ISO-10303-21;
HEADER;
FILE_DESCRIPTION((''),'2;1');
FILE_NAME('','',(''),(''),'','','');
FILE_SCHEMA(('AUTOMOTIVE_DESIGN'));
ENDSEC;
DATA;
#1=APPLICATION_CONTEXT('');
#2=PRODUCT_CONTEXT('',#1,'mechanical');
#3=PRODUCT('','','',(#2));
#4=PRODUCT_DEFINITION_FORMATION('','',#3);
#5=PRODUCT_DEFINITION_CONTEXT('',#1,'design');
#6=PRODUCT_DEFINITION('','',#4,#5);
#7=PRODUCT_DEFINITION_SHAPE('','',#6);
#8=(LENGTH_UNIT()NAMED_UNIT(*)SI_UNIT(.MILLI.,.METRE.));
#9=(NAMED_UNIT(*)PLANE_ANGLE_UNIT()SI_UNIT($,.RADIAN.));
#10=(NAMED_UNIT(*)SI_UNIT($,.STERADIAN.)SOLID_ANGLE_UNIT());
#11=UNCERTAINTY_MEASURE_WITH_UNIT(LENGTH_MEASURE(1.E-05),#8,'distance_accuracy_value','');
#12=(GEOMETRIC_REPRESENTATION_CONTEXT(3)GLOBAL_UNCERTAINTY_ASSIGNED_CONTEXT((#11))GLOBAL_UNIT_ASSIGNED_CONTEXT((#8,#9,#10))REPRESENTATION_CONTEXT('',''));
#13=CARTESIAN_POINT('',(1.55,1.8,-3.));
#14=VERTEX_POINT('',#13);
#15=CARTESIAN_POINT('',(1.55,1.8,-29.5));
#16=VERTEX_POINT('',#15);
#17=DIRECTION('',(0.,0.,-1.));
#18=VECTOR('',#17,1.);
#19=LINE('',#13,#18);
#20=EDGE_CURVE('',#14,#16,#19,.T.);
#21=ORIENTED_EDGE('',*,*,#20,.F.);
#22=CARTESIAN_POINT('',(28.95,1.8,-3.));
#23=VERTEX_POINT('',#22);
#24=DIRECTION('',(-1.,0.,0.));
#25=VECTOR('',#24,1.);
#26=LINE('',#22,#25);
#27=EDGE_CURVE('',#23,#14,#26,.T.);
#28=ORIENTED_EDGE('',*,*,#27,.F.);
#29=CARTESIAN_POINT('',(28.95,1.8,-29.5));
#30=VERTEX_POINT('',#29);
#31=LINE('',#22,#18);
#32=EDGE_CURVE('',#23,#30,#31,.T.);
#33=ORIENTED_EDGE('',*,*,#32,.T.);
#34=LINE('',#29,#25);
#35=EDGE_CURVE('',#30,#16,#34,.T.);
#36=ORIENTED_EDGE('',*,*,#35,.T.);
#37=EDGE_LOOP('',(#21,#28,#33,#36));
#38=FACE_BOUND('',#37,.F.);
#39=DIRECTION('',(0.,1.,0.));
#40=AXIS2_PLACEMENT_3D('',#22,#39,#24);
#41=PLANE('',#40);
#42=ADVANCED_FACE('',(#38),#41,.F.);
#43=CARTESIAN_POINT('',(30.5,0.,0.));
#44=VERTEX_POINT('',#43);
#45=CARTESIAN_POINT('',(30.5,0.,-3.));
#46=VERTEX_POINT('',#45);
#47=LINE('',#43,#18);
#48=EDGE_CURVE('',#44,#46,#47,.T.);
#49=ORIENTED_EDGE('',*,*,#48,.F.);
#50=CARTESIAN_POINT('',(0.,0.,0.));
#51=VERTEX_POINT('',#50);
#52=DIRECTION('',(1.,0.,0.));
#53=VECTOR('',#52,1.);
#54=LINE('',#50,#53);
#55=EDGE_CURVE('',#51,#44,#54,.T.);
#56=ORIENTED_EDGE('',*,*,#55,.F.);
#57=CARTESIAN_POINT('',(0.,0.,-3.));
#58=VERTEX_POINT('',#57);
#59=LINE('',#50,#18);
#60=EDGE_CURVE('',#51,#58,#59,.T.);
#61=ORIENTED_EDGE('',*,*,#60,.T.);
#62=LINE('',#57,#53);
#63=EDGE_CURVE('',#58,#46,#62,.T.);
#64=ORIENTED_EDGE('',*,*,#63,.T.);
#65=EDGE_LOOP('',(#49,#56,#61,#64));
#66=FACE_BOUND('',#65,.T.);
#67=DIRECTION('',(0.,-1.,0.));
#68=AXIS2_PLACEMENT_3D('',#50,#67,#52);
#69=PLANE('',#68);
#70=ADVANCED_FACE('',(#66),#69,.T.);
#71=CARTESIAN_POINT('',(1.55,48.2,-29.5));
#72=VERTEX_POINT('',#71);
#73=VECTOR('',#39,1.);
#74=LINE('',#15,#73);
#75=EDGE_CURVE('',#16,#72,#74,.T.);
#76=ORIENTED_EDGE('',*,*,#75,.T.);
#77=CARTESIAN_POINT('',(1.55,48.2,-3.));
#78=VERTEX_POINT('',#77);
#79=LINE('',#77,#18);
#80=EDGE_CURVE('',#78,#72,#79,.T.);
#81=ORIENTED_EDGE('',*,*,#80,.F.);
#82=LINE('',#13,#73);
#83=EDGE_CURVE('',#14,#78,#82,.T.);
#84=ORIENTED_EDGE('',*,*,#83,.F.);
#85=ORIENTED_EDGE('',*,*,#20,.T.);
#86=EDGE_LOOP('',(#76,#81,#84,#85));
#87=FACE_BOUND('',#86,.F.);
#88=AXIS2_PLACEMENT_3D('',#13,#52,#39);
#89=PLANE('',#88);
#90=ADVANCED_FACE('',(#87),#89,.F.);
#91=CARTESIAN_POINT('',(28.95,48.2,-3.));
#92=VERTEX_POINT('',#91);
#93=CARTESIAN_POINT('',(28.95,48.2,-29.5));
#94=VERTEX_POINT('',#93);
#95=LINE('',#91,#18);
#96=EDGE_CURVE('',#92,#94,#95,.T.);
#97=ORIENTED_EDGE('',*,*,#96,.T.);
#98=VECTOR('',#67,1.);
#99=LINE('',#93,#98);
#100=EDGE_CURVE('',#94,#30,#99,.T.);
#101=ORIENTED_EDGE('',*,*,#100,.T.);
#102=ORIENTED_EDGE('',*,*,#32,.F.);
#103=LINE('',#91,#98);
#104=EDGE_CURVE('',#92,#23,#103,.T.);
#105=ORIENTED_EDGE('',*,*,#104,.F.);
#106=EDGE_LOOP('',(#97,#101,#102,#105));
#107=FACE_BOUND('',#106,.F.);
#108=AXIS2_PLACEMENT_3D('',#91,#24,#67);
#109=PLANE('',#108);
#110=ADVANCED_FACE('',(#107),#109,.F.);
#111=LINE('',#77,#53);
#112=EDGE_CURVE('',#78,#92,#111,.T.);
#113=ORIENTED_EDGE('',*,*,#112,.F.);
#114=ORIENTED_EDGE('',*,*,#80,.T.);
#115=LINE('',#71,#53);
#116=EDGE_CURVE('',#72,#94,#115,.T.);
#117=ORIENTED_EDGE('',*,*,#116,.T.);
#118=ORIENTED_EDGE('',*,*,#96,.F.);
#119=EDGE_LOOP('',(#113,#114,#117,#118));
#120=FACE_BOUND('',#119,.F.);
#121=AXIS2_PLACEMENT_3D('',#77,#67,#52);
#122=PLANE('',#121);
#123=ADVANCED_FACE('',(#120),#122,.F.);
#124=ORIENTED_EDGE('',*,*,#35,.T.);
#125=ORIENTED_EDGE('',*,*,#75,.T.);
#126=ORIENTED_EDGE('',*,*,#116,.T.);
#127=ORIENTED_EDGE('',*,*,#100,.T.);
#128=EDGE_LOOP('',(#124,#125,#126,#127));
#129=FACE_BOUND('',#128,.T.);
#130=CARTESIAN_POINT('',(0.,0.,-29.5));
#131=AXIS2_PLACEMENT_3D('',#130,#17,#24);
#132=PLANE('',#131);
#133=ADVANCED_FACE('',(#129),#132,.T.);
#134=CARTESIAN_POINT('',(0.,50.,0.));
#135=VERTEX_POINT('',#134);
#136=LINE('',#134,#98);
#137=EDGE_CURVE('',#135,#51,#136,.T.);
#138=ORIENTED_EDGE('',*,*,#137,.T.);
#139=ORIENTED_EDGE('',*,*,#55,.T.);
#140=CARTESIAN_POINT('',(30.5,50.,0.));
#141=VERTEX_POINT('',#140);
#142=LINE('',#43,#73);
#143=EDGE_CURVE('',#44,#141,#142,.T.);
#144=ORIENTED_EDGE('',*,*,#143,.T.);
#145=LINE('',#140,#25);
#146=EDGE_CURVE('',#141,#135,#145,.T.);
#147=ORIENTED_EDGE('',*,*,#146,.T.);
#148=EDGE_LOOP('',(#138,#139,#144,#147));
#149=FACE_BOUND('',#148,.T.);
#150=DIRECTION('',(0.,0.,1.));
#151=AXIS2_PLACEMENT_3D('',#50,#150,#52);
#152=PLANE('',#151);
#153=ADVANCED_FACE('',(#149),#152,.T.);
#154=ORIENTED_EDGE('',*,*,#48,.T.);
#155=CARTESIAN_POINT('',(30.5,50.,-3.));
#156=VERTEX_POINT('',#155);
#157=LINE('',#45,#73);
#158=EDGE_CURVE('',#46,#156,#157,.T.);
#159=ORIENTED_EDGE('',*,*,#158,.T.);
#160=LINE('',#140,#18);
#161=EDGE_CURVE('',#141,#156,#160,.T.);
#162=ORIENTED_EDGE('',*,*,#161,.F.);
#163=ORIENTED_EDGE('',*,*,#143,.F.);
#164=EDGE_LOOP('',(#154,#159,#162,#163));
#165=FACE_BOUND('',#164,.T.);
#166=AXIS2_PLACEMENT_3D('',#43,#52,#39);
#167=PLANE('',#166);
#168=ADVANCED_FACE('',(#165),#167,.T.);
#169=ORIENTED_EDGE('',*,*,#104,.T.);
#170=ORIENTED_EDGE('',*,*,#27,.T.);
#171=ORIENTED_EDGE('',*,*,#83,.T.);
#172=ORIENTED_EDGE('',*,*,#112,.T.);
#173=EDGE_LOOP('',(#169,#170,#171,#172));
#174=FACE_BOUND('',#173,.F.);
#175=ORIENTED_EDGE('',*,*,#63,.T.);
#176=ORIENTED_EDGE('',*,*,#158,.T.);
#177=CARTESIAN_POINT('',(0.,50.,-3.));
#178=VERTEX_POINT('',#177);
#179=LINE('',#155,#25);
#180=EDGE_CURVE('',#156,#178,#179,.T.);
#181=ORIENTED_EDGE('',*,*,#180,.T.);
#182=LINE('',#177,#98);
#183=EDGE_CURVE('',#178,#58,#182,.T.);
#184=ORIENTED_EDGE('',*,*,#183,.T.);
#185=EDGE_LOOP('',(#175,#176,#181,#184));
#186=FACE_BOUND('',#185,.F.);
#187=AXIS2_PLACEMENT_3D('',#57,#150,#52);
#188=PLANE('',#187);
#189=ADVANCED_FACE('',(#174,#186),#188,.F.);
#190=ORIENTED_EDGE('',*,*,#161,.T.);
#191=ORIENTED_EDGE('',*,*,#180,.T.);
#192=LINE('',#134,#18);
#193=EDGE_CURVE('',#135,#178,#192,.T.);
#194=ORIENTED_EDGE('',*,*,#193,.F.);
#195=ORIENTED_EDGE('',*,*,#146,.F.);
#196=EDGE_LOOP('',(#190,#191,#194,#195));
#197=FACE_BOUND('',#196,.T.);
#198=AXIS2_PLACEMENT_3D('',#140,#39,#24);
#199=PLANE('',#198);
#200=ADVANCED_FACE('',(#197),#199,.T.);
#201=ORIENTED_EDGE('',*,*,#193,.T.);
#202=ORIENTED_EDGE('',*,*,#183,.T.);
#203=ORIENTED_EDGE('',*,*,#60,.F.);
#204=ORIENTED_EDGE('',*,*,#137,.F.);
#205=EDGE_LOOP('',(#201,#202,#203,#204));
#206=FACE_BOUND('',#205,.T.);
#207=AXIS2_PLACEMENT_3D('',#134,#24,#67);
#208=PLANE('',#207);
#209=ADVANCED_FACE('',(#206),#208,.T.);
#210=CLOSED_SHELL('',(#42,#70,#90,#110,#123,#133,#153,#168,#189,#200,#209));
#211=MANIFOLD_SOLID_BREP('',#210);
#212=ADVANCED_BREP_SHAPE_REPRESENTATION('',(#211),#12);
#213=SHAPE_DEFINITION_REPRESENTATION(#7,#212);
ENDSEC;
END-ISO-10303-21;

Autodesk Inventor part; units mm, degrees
ref_plane "YZ Plane" through (0, 0, 0) normal (1, 0, 0) x (0, 1, 0)
ref_plane "XZ Plane" through (0, 0, 0) normal (0, 1, 0) x (-1, 0, 0)
ref_plane "XY Plane" through (0, 0, 0) normal (0, 0, 1) x (1, 0, 0)
sketch "Sketch1" plane through (0, 0, 0) normal (0, 0, 1) x (1, 0, 0)
  line L0 (0, 0) -> (30.5, 0)
  line L1 (30.5, 0) -> (30.5, 50)
  line L2 (30.5, 50) -> (0, 50)
  line L3 (0, 50) -> (0, 0)
  dimension "d0" = 50
  dimension "d1" = 30.5
extrude "Extrusion1" add sketch "Sketch1" against normal blind 3
sketch "Sketch2" plane through (0, 0, -3) normal (0, 0, -1) x (-1, 0, 0)
  line L0 (-30.5, 50) -> (-30.5, 0) projected
  line L1 (-30.5, 25) -> (0, 25) construction
  line L2 (0, 0) -> (0, 50) projected
  line L3 (0, 50) -> (-30.5, 50) projected
  line L4 (-15.25, 50) -> (-15.25, 0) construction
  line L5 (-30.5, 0) -> (0, 0) projected
  line L6 (-28.95, 1.8) -> (-1.55, 1.8)
  line L7 (-1.55, 1.8) -> (-1.55, 48.2)
  line L8 (-1.55, 48.2) -> (-28.95, 48.2)
  line L9 (-28.95, 48.2) -> (-28.95, 1.8)
  line L10 (-28.95, 1.8) -> (-1.55, 48.2) construction
  line L11 (-1.55, 1.8) -> (-28.95, 48.2) construction
  point P0 (-15.25, 25)
  dimension "d4" = 27.4
  dimension "d5" = 46.4
extrude "Extrusion2" add sketch "Sketch2" along normal blind 26.5 contours L9 L8 L7 L6
properties part number "P8341 IEC with integrated fuse and switch"
